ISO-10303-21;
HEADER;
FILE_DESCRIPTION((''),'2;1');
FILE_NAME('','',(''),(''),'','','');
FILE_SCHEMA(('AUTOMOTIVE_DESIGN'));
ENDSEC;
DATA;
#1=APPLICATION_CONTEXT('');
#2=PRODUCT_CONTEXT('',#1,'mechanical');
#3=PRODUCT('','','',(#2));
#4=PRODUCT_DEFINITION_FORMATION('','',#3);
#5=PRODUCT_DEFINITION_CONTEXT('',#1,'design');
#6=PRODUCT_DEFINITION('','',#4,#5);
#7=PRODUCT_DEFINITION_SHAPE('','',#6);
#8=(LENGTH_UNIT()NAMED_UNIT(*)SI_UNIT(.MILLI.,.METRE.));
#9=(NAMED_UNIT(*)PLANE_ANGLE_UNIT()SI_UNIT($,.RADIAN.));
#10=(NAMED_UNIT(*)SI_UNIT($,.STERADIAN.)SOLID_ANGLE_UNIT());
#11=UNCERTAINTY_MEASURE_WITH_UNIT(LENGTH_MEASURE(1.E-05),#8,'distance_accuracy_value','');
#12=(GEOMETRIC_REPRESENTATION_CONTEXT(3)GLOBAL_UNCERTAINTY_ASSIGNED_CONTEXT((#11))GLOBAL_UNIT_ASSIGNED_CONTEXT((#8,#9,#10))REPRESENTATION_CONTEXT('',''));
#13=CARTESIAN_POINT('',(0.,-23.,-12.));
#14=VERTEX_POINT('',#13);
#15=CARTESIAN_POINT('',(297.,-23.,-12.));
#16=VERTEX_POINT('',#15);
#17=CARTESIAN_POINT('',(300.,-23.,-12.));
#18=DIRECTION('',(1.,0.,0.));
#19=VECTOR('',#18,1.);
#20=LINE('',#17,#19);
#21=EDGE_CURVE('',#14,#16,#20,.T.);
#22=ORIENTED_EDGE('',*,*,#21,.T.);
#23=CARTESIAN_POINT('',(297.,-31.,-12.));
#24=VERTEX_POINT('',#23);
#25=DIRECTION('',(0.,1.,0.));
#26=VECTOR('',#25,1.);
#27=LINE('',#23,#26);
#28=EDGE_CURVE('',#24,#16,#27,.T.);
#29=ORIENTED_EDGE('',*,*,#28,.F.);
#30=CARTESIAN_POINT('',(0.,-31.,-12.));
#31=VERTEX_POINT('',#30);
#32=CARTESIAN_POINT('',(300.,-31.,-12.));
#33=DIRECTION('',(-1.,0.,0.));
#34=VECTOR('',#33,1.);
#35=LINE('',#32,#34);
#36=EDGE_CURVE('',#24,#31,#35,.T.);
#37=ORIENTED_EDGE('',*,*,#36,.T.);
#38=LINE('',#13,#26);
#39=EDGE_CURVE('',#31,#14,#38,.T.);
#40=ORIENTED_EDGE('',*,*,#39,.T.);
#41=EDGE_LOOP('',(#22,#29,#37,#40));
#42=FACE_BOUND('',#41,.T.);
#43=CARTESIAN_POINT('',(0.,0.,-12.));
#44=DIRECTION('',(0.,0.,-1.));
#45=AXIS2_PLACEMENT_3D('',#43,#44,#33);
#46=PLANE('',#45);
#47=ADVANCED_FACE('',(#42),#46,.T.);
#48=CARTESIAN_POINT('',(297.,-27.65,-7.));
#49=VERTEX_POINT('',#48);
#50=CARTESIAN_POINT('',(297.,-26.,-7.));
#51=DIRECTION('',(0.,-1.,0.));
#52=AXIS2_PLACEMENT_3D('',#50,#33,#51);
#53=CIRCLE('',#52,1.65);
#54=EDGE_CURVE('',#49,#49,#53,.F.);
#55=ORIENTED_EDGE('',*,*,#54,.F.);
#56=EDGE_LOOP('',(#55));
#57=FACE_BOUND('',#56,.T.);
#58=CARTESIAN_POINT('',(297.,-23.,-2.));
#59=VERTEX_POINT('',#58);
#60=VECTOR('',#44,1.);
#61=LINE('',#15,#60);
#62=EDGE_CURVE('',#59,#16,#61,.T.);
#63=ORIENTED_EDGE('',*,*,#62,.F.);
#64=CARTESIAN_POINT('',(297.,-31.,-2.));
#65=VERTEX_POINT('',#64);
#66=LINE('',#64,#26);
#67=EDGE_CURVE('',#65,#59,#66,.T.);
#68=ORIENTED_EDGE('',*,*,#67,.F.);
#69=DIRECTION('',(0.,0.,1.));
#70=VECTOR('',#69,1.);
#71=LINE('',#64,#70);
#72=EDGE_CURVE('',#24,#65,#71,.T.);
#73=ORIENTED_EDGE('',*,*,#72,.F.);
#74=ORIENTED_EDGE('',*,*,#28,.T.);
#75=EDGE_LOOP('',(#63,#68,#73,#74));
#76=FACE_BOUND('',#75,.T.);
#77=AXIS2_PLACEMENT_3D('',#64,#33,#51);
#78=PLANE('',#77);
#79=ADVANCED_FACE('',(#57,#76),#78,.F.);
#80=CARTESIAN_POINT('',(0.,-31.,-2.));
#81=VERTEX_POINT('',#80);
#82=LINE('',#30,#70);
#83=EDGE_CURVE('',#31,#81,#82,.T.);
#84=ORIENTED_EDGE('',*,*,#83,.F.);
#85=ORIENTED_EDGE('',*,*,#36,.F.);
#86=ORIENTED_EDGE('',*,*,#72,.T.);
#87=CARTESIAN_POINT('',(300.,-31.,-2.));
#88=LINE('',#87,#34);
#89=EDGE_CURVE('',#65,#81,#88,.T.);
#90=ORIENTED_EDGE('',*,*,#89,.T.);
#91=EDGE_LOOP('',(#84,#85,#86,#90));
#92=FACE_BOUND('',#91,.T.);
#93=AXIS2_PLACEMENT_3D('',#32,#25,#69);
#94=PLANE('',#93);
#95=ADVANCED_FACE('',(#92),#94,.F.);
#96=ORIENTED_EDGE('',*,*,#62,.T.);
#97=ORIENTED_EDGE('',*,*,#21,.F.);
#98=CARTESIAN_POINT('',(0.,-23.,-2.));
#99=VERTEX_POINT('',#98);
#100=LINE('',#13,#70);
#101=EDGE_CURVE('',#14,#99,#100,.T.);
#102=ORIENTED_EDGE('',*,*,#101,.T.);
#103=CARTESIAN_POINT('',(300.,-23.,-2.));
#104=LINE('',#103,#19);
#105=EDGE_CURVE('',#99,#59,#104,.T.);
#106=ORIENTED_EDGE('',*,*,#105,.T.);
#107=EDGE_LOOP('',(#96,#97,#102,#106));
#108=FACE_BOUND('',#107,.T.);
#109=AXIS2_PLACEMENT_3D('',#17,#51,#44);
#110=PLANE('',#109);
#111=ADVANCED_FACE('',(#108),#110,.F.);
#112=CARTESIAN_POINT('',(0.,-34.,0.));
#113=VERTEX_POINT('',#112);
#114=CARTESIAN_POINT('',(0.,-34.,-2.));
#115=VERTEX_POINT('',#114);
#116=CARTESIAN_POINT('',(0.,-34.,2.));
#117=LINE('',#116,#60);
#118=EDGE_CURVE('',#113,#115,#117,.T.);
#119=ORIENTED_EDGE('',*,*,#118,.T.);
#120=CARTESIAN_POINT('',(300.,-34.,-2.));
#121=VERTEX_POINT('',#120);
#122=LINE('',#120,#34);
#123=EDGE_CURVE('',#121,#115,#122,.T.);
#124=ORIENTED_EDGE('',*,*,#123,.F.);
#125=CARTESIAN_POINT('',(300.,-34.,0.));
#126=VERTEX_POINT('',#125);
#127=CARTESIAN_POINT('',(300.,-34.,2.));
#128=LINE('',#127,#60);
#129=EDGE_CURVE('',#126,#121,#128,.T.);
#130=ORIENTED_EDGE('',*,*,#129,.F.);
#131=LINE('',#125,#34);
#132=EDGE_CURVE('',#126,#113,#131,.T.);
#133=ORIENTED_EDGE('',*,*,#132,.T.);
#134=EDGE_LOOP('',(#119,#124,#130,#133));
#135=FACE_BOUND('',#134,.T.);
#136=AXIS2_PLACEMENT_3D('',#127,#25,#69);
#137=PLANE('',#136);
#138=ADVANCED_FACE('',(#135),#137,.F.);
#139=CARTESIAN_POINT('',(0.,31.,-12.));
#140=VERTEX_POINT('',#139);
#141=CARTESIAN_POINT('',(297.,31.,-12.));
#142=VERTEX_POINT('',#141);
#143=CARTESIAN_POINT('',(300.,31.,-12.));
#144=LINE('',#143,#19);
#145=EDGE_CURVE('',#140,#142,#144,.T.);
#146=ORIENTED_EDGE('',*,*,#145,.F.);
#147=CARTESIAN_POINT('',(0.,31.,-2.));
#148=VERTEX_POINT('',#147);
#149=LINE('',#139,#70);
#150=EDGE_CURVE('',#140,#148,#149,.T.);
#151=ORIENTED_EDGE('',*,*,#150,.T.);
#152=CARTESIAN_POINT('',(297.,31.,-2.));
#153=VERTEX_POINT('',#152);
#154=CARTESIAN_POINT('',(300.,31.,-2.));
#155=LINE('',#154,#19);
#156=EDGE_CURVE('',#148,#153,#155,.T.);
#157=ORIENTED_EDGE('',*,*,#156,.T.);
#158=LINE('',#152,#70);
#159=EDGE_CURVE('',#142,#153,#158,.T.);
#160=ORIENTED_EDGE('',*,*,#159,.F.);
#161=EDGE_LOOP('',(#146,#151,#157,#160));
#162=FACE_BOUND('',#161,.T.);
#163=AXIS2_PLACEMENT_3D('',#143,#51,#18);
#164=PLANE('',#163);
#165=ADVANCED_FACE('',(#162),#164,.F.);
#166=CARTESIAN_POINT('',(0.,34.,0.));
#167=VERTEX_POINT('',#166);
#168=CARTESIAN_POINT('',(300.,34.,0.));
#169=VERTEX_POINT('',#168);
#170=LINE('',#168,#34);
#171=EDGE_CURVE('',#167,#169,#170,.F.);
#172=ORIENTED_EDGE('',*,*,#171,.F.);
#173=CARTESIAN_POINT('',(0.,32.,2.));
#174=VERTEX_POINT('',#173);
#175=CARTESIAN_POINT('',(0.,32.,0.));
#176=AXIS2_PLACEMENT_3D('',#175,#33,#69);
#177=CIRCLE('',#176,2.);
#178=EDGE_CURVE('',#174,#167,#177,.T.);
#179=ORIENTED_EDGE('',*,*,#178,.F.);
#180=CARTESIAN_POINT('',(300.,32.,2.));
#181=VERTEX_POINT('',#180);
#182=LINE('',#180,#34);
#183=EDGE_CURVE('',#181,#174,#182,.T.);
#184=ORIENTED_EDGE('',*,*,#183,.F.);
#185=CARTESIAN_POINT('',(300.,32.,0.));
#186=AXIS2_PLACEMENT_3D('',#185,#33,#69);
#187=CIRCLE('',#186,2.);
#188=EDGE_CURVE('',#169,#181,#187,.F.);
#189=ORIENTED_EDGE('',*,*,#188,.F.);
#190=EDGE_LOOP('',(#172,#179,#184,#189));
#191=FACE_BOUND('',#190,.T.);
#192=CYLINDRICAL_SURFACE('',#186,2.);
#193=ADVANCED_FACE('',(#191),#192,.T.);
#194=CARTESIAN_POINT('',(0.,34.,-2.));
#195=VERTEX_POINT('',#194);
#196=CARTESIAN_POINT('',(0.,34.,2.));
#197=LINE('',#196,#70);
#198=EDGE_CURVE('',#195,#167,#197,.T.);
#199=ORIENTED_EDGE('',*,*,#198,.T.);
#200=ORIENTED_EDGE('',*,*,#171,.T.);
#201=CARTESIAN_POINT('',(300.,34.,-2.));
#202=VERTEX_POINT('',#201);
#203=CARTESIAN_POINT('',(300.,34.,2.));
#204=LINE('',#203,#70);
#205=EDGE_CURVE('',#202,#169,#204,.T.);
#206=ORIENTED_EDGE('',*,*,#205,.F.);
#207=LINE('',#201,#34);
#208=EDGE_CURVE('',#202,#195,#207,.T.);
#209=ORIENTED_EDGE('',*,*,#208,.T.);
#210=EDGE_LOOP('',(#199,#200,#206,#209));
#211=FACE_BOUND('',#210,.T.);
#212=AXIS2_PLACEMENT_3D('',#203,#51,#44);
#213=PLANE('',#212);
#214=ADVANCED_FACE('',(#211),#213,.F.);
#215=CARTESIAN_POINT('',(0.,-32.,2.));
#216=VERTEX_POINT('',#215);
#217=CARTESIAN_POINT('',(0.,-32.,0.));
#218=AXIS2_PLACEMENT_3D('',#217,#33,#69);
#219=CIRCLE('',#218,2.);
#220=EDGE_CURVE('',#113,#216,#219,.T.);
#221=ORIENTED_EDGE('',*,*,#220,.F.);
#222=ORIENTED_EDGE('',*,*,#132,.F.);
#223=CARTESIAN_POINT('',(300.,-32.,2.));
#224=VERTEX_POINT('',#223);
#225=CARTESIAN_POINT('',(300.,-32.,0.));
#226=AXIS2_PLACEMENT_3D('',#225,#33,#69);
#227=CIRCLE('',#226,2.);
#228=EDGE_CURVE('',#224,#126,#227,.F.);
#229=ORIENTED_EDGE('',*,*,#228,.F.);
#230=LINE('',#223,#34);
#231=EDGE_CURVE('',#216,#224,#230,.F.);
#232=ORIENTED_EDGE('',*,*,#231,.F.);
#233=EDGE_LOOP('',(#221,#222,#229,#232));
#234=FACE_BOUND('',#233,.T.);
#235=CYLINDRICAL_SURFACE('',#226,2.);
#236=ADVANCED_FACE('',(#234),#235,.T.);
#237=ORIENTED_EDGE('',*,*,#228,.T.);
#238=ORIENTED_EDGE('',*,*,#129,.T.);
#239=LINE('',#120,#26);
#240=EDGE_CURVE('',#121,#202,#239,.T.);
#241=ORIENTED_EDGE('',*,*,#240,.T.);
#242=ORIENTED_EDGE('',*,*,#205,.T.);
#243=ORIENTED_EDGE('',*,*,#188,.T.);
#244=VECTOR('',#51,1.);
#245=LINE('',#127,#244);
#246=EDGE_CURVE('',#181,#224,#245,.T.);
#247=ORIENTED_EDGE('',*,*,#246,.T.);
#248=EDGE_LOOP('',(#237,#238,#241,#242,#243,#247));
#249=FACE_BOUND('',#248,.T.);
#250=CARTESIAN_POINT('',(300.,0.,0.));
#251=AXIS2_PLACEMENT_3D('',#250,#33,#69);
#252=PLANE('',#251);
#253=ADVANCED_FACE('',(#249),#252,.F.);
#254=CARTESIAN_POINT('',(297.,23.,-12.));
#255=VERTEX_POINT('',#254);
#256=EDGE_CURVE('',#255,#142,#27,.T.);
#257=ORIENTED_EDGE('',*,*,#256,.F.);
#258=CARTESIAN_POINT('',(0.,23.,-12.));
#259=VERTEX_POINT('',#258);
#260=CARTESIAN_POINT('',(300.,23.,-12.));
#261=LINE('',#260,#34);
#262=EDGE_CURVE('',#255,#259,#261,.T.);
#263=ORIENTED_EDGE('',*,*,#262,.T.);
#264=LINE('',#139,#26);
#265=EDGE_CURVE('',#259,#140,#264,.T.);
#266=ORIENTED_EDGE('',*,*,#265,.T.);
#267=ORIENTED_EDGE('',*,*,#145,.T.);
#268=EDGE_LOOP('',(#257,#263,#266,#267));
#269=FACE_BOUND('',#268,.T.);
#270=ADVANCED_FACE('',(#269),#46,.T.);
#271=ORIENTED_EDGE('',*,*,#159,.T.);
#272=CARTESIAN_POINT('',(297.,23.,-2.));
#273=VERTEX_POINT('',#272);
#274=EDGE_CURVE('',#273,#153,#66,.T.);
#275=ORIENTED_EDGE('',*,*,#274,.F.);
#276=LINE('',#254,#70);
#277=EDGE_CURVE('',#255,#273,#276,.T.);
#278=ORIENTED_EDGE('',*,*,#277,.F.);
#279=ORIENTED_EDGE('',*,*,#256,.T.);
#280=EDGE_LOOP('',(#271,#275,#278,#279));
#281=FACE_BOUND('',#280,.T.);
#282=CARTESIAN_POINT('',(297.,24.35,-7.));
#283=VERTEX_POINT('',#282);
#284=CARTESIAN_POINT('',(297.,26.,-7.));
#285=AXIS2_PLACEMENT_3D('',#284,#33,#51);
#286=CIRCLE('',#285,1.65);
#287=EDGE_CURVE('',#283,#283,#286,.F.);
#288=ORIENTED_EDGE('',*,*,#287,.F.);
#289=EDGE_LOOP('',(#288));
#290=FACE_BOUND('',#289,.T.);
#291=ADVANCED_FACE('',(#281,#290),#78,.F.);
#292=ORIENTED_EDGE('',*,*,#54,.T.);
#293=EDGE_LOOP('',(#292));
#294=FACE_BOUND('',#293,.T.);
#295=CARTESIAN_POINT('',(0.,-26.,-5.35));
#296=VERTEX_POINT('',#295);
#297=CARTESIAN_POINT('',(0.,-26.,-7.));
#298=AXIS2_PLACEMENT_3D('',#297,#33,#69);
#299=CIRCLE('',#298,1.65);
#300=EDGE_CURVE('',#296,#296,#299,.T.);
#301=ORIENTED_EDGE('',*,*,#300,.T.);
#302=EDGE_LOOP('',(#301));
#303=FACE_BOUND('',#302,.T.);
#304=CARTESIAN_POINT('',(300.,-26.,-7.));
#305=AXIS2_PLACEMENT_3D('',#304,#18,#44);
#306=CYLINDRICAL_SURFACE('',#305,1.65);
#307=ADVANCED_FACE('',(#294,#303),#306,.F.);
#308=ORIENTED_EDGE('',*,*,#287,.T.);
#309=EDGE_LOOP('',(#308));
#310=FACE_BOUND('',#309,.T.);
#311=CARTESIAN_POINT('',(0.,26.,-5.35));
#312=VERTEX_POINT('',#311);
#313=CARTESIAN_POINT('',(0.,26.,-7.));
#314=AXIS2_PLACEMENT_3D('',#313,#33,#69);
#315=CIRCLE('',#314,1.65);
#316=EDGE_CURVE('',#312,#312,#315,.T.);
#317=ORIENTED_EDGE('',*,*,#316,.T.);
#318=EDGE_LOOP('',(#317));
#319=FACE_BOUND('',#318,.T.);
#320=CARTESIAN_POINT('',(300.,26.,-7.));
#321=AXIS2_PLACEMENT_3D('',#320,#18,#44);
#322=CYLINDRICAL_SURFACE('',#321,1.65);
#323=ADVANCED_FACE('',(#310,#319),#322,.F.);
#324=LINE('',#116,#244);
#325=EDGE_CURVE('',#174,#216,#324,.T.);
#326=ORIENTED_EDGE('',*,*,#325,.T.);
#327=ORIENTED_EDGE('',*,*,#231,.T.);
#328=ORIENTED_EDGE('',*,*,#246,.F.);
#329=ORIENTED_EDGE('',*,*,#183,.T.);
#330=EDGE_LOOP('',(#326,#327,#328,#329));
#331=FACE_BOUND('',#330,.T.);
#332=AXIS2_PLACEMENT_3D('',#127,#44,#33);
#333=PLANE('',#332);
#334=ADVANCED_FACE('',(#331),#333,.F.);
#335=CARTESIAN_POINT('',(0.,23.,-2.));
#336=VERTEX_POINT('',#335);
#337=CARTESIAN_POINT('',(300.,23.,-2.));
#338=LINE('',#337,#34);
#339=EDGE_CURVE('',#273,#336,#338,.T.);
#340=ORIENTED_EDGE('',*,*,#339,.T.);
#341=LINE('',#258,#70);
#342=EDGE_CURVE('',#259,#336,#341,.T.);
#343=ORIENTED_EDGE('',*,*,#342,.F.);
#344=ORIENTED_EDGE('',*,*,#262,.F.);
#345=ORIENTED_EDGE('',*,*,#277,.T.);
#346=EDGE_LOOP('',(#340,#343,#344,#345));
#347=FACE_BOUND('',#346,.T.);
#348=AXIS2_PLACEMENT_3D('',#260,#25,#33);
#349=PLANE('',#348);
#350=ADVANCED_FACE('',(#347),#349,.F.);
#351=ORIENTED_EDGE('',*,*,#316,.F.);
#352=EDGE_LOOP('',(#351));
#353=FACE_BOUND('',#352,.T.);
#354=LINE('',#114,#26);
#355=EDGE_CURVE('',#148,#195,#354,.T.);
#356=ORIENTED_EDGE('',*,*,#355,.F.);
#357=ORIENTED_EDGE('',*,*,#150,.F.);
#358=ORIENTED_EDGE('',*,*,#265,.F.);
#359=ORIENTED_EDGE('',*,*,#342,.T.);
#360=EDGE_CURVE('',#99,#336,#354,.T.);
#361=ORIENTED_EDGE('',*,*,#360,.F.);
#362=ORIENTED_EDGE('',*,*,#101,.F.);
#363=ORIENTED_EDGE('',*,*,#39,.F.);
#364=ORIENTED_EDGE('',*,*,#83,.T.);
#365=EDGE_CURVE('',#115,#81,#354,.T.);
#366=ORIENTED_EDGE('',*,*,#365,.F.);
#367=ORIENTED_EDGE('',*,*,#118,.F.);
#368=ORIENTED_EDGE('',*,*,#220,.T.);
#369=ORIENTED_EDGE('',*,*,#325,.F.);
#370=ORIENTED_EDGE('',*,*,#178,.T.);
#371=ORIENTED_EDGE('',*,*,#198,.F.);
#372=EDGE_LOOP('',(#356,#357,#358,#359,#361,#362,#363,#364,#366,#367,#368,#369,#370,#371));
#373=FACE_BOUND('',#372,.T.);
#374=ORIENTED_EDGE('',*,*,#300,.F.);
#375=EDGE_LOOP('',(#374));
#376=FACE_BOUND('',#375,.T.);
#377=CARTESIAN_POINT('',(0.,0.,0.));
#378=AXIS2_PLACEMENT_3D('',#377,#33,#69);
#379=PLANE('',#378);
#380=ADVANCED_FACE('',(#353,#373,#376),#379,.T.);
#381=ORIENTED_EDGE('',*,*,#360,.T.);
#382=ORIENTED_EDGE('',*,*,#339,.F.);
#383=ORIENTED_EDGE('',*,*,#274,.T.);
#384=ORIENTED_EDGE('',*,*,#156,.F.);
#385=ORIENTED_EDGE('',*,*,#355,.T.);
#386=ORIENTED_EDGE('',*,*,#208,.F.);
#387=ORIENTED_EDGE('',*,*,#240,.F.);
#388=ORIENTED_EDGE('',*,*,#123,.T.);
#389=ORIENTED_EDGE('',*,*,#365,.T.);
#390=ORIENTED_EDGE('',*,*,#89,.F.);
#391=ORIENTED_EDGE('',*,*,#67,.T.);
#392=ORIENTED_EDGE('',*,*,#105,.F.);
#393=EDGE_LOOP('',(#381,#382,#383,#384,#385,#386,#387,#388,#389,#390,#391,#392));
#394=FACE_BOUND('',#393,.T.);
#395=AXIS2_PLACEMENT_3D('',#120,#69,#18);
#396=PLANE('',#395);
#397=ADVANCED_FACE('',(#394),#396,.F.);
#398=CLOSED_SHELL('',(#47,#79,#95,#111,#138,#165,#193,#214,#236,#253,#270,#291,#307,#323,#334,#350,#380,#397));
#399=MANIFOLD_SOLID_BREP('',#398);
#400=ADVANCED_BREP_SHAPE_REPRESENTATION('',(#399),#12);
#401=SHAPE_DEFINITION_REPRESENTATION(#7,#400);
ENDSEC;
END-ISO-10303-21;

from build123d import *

# Parameters (mm, degrees)
SKETCH_1_W          = 4
SKETCH_1_H          = 68
EXTRUDE_1_DEPTH     = 300
FILLET_1_R          = 2
SKETCH_2_W          = 300
SKETCH_2_H          = 8
EXTRUDE_2_DEPTH     = 10
HOLE_WIZARD_M4_1_D  = 3.3
SKETCH_5_W          = 3
SKETCH_5_H          = 10
CUT_EXTRUDE_1_DEPTH = 62


with BuildPart() as part:
    # 草圖1 → 填料-伸長1 (new body)
    with BuildSketch(Plane(origin=(0, 0, 0), x_dir=(0, 0, -1), z_dir=(1, 0, 0))):
        Rectangle(SKETCH_1_W, SKETCH_1_H)
    extrude(amount=EXTRUDE_1_DEPTH)

    # 圓角1
    fillet_1_edges = [part.edges().sort_by_distance(p)[0] for p in [
        (150, -34, 2),
        (150, 34, 2),
    ]]
    fillet(fillet_1_edges, radius=FILLET_1_R)

    # 草圖2 → 填料-伸長2 (add)
    with BuildSketch(Plane(origin=(0, 0, -2), x_dir=(-1, 0, 0), z_dir=(0, 0, -1))):
        with Locations((-150, 27)):
            Rectangle(SKETCH_2_W, SKETCH_2_H)
        with Locations((-150, -27)):
            Rectangle(SKETCH_2_W, SKETCH_2_H)
    extrude(amount=EXTRUDE_2_DEPTH)

    # M4  螺絲攻的螺孔鑽1 (through all)
    with Locations(Plane(origin=(300, 0, 0), x_dir=(0, 0, -1), z_dir=(1, 0, 0))):
        with Locations((7, 26), (7, -26)):
            Hole(HOLE_WIZARD_M4_1_D / 2)

    # 草圖5 → 除料-伸長1 (cut)
    with BuildSketch(Plane(origin=(0, 31, 0), x_dir=(1, 0, 0), z_dir=(0, 1, 0))):
        with Locations((298.5, 7)):
            Rectangle(SKETCH_5_W, SKETCH_5_H)
    extrude(amount=-CUT_EXTRUDE_1_DEPTH, mode=Mode.SUBTRACT)


solid = part.part
